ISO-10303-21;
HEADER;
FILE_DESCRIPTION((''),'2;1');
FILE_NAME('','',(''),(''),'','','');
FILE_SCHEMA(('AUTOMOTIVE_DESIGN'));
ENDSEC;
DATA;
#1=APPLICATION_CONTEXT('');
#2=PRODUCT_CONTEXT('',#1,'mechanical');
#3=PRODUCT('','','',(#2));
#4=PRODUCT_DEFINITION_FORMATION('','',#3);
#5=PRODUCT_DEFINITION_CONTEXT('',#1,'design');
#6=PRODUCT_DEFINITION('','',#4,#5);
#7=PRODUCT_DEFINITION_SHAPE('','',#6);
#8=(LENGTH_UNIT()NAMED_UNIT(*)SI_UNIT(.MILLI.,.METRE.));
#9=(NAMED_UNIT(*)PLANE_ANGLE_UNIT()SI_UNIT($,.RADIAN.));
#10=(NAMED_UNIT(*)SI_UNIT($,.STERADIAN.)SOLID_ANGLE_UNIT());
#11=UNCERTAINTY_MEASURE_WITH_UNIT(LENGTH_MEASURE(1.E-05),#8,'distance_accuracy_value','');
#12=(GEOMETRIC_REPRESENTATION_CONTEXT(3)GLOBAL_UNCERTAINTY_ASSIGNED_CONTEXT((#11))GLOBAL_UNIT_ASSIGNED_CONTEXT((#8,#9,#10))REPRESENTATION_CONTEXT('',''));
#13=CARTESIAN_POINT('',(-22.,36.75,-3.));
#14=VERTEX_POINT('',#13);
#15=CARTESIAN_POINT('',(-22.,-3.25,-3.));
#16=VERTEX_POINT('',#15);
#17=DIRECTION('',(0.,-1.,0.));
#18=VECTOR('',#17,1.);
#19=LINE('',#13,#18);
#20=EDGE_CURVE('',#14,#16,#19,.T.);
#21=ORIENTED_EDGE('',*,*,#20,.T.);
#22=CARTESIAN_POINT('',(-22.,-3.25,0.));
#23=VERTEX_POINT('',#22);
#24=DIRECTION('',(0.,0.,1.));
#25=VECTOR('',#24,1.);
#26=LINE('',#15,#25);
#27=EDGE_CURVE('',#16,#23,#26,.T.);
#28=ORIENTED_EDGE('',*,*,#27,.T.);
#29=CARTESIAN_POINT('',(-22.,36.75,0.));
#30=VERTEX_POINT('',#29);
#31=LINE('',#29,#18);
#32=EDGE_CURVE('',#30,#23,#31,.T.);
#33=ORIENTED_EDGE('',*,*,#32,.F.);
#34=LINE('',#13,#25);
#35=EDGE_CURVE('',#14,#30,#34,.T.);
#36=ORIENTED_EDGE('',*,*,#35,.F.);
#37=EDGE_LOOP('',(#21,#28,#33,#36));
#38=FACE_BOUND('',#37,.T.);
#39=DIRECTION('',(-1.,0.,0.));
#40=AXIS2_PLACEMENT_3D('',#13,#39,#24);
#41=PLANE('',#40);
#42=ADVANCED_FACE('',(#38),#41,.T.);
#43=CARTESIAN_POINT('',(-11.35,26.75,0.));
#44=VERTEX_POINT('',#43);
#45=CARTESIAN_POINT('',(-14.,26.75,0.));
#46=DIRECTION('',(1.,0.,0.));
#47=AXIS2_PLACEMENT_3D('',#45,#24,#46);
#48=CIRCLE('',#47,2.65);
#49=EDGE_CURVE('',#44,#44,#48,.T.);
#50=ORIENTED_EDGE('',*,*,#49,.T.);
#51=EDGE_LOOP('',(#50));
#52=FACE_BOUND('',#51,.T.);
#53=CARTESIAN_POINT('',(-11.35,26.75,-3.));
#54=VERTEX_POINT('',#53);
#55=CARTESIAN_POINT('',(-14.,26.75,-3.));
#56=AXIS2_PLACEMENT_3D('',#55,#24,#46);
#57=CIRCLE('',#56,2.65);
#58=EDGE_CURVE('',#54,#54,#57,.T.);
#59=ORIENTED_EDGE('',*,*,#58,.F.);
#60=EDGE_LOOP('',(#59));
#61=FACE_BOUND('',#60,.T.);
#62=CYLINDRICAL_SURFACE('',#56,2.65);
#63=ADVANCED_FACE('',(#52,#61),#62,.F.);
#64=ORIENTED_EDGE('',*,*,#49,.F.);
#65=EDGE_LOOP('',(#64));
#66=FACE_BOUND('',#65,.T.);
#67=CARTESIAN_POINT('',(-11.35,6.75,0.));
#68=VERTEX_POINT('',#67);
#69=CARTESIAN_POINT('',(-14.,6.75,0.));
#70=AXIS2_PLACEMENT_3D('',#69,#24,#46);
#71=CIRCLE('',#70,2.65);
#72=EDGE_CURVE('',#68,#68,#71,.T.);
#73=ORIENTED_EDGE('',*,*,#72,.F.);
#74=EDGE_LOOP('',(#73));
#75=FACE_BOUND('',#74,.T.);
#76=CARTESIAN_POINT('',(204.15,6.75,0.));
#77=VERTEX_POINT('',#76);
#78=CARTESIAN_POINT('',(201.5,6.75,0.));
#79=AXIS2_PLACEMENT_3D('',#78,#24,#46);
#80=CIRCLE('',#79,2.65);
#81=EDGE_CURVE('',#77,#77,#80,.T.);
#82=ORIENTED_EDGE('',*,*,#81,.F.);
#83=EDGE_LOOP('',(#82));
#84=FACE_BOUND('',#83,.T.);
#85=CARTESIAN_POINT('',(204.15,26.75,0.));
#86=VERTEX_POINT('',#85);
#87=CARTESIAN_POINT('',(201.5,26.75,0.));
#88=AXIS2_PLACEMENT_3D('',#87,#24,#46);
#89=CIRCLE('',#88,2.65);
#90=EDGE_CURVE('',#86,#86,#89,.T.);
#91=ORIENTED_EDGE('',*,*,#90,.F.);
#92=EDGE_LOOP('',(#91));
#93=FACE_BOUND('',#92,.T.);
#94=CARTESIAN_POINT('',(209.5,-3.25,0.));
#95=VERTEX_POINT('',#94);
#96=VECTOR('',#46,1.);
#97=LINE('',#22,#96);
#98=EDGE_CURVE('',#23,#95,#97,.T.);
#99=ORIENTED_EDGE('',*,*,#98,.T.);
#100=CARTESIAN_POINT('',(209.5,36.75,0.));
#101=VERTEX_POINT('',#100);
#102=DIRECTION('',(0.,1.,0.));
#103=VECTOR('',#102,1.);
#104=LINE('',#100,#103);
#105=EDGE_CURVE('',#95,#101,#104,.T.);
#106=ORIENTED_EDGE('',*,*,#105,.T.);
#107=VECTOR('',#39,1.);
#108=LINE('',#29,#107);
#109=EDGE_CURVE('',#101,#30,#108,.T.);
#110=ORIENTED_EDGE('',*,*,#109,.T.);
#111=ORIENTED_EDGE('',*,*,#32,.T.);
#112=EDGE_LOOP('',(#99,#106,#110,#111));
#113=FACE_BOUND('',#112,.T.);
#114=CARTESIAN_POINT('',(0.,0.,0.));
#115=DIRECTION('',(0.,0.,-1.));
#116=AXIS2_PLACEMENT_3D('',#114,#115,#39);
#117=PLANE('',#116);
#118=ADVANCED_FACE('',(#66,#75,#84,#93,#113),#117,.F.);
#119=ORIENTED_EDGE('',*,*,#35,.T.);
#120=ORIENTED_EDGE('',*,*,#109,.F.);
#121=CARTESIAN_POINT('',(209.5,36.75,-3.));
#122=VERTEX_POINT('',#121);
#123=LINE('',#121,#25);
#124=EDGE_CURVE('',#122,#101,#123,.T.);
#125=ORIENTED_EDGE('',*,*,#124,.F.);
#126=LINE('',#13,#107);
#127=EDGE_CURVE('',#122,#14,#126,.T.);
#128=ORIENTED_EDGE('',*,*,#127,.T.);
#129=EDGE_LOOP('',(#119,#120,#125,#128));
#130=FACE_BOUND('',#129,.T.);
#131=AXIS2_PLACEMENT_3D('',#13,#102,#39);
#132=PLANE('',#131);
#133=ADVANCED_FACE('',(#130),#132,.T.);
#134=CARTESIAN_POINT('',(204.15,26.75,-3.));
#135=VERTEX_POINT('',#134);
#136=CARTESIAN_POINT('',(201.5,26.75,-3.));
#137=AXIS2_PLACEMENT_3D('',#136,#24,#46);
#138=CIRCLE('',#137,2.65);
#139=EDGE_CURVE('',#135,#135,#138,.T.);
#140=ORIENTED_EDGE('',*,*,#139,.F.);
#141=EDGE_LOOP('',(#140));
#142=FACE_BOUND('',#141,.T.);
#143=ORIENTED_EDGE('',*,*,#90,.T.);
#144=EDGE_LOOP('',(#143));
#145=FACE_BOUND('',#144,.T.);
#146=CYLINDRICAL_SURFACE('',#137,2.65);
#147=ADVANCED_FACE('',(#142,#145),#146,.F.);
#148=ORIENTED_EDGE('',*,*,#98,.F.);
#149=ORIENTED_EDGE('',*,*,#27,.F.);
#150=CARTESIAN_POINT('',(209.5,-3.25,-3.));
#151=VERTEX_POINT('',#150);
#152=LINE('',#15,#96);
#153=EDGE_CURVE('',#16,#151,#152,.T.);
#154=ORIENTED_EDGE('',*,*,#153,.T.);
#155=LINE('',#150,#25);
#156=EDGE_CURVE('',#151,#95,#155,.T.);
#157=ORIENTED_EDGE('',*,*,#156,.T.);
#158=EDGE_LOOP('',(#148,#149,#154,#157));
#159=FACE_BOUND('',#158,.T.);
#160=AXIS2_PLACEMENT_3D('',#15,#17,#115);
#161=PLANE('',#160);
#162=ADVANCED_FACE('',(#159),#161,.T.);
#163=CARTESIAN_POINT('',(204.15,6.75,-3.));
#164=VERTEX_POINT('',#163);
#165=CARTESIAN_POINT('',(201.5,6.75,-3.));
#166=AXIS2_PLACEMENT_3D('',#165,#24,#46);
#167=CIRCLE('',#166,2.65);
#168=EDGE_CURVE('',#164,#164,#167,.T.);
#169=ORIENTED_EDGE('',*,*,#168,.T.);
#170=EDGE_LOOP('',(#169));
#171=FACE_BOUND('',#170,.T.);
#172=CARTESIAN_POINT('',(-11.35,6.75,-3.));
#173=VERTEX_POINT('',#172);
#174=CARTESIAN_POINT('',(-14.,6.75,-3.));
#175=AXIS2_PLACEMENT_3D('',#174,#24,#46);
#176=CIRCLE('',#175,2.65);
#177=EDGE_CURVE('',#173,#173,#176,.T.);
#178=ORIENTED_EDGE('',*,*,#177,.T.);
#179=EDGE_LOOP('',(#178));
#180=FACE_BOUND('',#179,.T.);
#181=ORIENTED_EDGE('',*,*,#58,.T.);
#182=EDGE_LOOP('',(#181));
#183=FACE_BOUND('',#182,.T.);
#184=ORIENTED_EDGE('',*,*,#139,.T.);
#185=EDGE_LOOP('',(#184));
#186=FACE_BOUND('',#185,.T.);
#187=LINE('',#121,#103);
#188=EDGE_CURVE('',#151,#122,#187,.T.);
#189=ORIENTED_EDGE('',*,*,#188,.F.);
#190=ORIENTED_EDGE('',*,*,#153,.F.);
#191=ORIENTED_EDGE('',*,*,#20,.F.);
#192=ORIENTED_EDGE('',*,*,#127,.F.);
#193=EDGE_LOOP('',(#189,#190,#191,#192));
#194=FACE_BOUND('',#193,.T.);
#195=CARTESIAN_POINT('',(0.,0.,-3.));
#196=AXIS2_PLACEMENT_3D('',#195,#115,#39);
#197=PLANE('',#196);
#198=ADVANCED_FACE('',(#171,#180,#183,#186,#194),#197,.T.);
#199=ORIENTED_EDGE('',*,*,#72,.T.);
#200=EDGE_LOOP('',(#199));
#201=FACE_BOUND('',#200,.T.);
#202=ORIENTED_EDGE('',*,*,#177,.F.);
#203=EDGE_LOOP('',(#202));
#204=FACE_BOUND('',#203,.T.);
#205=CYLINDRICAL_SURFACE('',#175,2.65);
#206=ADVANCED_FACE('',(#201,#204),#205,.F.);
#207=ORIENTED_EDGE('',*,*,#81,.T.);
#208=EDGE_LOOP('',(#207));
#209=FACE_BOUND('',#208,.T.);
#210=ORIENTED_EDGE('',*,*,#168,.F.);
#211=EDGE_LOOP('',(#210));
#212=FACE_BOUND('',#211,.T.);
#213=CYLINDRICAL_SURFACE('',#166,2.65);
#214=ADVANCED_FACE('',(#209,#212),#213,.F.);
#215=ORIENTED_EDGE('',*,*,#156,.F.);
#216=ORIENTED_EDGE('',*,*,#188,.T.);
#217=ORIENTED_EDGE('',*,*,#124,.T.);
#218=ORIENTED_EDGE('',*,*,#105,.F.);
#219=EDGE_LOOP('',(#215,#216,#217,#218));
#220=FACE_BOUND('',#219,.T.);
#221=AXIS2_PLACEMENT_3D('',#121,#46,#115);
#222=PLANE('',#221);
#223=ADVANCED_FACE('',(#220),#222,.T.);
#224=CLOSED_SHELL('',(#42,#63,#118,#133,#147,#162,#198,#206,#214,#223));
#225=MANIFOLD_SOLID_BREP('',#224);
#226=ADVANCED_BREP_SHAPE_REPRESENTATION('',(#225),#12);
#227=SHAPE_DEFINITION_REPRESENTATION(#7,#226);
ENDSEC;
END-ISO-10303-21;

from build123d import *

# Parameters (mm, degrees)
EXTRUSION_BASE_SKETCH_W      = 231.5
EXTRUSION_BASE_SKETCH_H      = 40
EXTRUSION_BASE_SKETCH_R      = 2.65
EXTRUSION_BASE_EXTRUDE_DEPTH = 3


with BuildPart() as part:
    # Extrusion Base Sketch → Extrusion Base Extrude (new body)
    with BuildSketch(Plane.XY):
        with Locations((93.75, 16.75)):
            Rectangle(EXTRUSION_BASE_SKETCH_W, EXTRUSION_BASE_SKETCH_H)
        with Locations((-14, 26.75)):
            Circle(EXTRUSION_BASE_SKETCH_R, mode=Mode.SUBTRACT)
        with Locations((-14, 6.75)):
            Circle(EXTRUSION_BASE_SKETCH_R, mode=Mode.SUBTRACT)
        with Locations((201.5, 26.75)):
            Circle(EXTRUSION_BASE_SKETCH_R, mode=Mode.SUBTRACT)
        with Locations((201.5, 6.75)):
            Circle(EXTRUSION_BASE_SKETCH_R, mode=Mode.SUBTRACT)
    extrude(amount=-EXTRUSION_BASE_EXTRUDE_DEPTH)


solid = part.part
